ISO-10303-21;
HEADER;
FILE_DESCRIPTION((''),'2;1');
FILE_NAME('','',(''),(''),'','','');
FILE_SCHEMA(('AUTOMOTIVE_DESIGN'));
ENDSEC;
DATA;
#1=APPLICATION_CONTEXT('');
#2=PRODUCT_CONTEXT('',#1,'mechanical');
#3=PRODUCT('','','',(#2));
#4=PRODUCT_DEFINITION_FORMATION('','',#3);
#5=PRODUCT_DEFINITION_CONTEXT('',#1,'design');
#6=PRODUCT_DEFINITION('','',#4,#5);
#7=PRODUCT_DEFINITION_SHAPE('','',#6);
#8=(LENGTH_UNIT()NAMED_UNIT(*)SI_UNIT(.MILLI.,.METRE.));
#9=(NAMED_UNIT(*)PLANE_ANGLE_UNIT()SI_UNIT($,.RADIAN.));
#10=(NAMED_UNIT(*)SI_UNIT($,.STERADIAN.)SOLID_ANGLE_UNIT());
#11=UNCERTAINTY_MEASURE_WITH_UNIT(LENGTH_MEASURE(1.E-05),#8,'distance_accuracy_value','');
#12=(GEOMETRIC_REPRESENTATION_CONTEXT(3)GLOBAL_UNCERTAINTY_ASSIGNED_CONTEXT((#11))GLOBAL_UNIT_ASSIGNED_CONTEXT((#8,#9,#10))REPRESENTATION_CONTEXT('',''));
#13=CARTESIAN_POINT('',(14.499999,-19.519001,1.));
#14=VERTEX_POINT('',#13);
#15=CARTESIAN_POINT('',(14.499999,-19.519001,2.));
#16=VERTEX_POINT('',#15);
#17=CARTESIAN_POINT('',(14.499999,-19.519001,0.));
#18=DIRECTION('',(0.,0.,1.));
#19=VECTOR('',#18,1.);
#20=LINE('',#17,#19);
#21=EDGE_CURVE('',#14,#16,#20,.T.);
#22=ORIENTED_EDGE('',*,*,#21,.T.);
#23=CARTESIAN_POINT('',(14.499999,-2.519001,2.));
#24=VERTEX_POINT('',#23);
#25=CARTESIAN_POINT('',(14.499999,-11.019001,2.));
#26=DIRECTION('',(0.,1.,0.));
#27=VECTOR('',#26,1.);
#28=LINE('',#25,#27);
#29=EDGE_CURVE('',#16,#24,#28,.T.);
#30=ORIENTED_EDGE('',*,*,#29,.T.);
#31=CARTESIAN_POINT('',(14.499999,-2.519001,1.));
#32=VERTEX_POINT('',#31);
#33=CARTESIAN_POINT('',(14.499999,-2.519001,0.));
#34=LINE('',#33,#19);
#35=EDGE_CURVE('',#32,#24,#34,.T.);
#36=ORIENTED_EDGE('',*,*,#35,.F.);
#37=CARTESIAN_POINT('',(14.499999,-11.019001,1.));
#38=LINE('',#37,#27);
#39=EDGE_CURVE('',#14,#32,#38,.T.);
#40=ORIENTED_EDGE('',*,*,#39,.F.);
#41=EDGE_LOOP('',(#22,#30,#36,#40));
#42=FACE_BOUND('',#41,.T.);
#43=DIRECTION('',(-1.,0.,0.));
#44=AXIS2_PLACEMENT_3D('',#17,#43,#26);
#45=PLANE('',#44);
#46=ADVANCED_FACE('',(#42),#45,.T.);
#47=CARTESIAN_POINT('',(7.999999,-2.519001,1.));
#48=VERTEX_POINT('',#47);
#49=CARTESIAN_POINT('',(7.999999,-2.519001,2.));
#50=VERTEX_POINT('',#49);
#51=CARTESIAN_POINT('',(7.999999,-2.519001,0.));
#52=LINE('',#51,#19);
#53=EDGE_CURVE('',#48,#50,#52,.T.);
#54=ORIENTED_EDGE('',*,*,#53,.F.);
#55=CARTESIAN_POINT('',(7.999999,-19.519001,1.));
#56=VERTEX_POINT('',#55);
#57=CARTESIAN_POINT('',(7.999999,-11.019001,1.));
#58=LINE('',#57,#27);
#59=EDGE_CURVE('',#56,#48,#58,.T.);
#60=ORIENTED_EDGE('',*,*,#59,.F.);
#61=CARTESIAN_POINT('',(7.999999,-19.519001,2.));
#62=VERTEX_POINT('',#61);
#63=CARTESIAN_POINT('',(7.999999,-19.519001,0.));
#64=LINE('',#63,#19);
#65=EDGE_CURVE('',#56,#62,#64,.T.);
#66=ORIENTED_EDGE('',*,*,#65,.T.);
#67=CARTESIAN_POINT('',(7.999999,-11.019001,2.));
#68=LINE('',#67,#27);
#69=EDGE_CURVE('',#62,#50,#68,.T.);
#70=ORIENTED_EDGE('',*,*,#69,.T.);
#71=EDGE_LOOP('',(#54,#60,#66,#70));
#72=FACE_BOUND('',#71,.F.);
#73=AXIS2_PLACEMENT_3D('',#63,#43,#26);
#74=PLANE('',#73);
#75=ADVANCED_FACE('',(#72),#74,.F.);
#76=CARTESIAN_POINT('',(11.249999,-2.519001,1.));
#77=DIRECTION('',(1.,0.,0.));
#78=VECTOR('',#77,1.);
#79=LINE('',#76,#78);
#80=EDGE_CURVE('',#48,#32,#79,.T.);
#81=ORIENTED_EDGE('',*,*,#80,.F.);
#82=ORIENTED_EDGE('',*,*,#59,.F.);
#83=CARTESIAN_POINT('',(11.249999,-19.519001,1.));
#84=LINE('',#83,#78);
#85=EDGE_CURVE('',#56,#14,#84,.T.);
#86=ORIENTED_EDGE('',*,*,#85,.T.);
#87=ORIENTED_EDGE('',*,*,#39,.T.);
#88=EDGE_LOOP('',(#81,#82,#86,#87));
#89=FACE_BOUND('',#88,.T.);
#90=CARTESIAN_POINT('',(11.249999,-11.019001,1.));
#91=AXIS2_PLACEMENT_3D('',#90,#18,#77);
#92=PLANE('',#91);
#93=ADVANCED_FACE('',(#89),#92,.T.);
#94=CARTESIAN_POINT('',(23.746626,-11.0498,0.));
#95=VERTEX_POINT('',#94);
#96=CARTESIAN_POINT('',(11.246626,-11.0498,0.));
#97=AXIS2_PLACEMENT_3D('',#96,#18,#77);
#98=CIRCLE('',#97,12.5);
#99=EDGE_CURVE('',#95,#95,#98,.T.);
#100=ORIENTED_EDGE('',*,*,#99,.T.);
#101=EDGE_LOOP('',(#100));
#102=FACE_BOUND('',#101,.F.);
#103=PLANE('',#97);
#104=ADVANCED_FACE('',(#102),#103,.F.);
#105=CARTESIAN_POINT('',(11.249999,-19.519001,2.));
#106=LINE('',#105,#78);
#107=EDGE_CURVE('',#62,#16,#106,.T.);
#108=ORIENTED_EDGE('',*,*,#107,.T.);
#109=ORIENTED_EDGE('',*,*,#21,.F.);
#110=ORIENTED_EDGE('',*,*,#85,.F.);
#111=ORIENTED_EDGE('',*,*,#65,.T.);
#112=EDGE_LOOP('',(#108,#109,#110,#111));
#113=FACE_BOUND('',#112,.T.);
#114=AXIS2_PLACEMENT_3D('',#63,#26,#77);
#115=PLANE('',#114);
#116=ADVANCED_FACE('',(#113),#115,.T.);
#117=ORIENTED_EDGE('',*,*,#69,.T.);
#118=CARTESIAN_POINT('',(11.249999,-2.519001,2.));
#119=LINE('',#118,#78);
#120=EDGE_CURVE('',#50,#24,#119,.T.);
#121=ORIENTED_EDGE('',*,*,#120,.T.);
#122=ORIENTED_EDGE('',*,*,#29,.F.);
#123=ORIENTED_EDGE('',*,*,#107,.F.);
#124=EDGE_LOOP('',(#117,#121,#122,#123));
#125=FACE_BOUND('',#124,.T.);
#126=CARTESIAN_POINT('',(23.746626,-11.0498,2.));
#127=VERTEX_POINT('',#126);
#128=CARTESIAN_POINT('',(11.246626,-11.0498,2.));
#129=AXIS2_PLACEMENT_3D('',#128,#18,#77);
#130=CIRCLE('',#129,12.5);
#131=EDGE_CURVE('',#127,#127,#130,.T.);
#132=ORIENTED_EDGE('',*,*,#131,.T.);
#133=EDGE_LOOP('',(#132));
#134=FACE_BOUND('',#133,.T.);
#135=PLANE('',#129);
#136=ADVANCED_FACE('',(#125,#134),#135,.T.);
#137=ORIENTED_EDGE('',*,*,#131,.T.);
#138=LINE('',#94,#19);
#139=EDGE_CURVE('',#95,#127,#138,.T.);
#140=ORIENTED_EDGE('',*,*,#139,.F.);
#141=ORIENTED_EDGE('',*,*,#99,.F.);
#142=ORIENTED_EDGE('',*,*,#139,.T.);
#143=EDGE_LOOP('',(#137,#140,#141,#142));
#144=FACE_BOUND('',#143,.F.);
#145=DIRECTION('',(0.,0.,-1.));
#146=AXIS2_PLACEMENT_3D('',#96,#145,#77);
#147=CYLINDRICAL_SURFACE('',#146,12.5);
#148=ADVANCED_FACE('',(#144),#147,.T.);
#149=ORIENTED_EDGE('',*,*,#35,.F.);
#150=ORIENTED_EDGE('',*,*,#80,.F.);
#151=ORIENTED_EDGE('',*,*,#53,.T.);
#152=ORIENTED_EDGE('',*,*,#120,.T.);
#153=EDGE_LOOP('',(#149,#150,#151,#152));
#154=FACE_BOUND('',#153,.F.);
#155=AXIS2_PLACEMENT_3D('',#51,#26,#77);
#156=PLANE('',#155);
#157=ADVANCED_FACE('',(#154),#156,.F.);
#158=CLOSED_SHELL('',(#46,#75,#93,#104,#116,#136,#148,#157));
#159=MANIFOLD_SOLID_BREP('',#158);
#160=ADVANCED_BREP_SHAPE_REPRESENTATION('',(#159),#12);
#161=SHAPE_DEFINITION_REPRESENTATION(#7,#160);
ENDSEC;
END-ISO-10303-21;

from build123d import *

# Parameters (mm, degrees)
F0_W     = 6.5
F0_H     = 17
F1_DEPTH = 1
F0_R     = 12.5
F2_DEPTH = 2


with BuildPart() as f1:
    # F0 (on Top) → F1 (new body)
    with BuildSketch(Plane.XY):
        with Locations((11.249999, -11.019001)):
            Rectangle(F0_W, F0_H)
    extrude(amount=F1_DEPTH)

    # F0 (on Top) → F2 (join)
    with BuildSketch(Plane.XY):
        with Locations((11.246626, -11.0498)):
            Circle(F0_R)
        with Locations((11.249999, -11.019001)):
            Rectangle(F0_W, F0_H, mode=Mode.SUBTRACT)
    extrude(amount=F2_DEPTH)


solid = f1.part
